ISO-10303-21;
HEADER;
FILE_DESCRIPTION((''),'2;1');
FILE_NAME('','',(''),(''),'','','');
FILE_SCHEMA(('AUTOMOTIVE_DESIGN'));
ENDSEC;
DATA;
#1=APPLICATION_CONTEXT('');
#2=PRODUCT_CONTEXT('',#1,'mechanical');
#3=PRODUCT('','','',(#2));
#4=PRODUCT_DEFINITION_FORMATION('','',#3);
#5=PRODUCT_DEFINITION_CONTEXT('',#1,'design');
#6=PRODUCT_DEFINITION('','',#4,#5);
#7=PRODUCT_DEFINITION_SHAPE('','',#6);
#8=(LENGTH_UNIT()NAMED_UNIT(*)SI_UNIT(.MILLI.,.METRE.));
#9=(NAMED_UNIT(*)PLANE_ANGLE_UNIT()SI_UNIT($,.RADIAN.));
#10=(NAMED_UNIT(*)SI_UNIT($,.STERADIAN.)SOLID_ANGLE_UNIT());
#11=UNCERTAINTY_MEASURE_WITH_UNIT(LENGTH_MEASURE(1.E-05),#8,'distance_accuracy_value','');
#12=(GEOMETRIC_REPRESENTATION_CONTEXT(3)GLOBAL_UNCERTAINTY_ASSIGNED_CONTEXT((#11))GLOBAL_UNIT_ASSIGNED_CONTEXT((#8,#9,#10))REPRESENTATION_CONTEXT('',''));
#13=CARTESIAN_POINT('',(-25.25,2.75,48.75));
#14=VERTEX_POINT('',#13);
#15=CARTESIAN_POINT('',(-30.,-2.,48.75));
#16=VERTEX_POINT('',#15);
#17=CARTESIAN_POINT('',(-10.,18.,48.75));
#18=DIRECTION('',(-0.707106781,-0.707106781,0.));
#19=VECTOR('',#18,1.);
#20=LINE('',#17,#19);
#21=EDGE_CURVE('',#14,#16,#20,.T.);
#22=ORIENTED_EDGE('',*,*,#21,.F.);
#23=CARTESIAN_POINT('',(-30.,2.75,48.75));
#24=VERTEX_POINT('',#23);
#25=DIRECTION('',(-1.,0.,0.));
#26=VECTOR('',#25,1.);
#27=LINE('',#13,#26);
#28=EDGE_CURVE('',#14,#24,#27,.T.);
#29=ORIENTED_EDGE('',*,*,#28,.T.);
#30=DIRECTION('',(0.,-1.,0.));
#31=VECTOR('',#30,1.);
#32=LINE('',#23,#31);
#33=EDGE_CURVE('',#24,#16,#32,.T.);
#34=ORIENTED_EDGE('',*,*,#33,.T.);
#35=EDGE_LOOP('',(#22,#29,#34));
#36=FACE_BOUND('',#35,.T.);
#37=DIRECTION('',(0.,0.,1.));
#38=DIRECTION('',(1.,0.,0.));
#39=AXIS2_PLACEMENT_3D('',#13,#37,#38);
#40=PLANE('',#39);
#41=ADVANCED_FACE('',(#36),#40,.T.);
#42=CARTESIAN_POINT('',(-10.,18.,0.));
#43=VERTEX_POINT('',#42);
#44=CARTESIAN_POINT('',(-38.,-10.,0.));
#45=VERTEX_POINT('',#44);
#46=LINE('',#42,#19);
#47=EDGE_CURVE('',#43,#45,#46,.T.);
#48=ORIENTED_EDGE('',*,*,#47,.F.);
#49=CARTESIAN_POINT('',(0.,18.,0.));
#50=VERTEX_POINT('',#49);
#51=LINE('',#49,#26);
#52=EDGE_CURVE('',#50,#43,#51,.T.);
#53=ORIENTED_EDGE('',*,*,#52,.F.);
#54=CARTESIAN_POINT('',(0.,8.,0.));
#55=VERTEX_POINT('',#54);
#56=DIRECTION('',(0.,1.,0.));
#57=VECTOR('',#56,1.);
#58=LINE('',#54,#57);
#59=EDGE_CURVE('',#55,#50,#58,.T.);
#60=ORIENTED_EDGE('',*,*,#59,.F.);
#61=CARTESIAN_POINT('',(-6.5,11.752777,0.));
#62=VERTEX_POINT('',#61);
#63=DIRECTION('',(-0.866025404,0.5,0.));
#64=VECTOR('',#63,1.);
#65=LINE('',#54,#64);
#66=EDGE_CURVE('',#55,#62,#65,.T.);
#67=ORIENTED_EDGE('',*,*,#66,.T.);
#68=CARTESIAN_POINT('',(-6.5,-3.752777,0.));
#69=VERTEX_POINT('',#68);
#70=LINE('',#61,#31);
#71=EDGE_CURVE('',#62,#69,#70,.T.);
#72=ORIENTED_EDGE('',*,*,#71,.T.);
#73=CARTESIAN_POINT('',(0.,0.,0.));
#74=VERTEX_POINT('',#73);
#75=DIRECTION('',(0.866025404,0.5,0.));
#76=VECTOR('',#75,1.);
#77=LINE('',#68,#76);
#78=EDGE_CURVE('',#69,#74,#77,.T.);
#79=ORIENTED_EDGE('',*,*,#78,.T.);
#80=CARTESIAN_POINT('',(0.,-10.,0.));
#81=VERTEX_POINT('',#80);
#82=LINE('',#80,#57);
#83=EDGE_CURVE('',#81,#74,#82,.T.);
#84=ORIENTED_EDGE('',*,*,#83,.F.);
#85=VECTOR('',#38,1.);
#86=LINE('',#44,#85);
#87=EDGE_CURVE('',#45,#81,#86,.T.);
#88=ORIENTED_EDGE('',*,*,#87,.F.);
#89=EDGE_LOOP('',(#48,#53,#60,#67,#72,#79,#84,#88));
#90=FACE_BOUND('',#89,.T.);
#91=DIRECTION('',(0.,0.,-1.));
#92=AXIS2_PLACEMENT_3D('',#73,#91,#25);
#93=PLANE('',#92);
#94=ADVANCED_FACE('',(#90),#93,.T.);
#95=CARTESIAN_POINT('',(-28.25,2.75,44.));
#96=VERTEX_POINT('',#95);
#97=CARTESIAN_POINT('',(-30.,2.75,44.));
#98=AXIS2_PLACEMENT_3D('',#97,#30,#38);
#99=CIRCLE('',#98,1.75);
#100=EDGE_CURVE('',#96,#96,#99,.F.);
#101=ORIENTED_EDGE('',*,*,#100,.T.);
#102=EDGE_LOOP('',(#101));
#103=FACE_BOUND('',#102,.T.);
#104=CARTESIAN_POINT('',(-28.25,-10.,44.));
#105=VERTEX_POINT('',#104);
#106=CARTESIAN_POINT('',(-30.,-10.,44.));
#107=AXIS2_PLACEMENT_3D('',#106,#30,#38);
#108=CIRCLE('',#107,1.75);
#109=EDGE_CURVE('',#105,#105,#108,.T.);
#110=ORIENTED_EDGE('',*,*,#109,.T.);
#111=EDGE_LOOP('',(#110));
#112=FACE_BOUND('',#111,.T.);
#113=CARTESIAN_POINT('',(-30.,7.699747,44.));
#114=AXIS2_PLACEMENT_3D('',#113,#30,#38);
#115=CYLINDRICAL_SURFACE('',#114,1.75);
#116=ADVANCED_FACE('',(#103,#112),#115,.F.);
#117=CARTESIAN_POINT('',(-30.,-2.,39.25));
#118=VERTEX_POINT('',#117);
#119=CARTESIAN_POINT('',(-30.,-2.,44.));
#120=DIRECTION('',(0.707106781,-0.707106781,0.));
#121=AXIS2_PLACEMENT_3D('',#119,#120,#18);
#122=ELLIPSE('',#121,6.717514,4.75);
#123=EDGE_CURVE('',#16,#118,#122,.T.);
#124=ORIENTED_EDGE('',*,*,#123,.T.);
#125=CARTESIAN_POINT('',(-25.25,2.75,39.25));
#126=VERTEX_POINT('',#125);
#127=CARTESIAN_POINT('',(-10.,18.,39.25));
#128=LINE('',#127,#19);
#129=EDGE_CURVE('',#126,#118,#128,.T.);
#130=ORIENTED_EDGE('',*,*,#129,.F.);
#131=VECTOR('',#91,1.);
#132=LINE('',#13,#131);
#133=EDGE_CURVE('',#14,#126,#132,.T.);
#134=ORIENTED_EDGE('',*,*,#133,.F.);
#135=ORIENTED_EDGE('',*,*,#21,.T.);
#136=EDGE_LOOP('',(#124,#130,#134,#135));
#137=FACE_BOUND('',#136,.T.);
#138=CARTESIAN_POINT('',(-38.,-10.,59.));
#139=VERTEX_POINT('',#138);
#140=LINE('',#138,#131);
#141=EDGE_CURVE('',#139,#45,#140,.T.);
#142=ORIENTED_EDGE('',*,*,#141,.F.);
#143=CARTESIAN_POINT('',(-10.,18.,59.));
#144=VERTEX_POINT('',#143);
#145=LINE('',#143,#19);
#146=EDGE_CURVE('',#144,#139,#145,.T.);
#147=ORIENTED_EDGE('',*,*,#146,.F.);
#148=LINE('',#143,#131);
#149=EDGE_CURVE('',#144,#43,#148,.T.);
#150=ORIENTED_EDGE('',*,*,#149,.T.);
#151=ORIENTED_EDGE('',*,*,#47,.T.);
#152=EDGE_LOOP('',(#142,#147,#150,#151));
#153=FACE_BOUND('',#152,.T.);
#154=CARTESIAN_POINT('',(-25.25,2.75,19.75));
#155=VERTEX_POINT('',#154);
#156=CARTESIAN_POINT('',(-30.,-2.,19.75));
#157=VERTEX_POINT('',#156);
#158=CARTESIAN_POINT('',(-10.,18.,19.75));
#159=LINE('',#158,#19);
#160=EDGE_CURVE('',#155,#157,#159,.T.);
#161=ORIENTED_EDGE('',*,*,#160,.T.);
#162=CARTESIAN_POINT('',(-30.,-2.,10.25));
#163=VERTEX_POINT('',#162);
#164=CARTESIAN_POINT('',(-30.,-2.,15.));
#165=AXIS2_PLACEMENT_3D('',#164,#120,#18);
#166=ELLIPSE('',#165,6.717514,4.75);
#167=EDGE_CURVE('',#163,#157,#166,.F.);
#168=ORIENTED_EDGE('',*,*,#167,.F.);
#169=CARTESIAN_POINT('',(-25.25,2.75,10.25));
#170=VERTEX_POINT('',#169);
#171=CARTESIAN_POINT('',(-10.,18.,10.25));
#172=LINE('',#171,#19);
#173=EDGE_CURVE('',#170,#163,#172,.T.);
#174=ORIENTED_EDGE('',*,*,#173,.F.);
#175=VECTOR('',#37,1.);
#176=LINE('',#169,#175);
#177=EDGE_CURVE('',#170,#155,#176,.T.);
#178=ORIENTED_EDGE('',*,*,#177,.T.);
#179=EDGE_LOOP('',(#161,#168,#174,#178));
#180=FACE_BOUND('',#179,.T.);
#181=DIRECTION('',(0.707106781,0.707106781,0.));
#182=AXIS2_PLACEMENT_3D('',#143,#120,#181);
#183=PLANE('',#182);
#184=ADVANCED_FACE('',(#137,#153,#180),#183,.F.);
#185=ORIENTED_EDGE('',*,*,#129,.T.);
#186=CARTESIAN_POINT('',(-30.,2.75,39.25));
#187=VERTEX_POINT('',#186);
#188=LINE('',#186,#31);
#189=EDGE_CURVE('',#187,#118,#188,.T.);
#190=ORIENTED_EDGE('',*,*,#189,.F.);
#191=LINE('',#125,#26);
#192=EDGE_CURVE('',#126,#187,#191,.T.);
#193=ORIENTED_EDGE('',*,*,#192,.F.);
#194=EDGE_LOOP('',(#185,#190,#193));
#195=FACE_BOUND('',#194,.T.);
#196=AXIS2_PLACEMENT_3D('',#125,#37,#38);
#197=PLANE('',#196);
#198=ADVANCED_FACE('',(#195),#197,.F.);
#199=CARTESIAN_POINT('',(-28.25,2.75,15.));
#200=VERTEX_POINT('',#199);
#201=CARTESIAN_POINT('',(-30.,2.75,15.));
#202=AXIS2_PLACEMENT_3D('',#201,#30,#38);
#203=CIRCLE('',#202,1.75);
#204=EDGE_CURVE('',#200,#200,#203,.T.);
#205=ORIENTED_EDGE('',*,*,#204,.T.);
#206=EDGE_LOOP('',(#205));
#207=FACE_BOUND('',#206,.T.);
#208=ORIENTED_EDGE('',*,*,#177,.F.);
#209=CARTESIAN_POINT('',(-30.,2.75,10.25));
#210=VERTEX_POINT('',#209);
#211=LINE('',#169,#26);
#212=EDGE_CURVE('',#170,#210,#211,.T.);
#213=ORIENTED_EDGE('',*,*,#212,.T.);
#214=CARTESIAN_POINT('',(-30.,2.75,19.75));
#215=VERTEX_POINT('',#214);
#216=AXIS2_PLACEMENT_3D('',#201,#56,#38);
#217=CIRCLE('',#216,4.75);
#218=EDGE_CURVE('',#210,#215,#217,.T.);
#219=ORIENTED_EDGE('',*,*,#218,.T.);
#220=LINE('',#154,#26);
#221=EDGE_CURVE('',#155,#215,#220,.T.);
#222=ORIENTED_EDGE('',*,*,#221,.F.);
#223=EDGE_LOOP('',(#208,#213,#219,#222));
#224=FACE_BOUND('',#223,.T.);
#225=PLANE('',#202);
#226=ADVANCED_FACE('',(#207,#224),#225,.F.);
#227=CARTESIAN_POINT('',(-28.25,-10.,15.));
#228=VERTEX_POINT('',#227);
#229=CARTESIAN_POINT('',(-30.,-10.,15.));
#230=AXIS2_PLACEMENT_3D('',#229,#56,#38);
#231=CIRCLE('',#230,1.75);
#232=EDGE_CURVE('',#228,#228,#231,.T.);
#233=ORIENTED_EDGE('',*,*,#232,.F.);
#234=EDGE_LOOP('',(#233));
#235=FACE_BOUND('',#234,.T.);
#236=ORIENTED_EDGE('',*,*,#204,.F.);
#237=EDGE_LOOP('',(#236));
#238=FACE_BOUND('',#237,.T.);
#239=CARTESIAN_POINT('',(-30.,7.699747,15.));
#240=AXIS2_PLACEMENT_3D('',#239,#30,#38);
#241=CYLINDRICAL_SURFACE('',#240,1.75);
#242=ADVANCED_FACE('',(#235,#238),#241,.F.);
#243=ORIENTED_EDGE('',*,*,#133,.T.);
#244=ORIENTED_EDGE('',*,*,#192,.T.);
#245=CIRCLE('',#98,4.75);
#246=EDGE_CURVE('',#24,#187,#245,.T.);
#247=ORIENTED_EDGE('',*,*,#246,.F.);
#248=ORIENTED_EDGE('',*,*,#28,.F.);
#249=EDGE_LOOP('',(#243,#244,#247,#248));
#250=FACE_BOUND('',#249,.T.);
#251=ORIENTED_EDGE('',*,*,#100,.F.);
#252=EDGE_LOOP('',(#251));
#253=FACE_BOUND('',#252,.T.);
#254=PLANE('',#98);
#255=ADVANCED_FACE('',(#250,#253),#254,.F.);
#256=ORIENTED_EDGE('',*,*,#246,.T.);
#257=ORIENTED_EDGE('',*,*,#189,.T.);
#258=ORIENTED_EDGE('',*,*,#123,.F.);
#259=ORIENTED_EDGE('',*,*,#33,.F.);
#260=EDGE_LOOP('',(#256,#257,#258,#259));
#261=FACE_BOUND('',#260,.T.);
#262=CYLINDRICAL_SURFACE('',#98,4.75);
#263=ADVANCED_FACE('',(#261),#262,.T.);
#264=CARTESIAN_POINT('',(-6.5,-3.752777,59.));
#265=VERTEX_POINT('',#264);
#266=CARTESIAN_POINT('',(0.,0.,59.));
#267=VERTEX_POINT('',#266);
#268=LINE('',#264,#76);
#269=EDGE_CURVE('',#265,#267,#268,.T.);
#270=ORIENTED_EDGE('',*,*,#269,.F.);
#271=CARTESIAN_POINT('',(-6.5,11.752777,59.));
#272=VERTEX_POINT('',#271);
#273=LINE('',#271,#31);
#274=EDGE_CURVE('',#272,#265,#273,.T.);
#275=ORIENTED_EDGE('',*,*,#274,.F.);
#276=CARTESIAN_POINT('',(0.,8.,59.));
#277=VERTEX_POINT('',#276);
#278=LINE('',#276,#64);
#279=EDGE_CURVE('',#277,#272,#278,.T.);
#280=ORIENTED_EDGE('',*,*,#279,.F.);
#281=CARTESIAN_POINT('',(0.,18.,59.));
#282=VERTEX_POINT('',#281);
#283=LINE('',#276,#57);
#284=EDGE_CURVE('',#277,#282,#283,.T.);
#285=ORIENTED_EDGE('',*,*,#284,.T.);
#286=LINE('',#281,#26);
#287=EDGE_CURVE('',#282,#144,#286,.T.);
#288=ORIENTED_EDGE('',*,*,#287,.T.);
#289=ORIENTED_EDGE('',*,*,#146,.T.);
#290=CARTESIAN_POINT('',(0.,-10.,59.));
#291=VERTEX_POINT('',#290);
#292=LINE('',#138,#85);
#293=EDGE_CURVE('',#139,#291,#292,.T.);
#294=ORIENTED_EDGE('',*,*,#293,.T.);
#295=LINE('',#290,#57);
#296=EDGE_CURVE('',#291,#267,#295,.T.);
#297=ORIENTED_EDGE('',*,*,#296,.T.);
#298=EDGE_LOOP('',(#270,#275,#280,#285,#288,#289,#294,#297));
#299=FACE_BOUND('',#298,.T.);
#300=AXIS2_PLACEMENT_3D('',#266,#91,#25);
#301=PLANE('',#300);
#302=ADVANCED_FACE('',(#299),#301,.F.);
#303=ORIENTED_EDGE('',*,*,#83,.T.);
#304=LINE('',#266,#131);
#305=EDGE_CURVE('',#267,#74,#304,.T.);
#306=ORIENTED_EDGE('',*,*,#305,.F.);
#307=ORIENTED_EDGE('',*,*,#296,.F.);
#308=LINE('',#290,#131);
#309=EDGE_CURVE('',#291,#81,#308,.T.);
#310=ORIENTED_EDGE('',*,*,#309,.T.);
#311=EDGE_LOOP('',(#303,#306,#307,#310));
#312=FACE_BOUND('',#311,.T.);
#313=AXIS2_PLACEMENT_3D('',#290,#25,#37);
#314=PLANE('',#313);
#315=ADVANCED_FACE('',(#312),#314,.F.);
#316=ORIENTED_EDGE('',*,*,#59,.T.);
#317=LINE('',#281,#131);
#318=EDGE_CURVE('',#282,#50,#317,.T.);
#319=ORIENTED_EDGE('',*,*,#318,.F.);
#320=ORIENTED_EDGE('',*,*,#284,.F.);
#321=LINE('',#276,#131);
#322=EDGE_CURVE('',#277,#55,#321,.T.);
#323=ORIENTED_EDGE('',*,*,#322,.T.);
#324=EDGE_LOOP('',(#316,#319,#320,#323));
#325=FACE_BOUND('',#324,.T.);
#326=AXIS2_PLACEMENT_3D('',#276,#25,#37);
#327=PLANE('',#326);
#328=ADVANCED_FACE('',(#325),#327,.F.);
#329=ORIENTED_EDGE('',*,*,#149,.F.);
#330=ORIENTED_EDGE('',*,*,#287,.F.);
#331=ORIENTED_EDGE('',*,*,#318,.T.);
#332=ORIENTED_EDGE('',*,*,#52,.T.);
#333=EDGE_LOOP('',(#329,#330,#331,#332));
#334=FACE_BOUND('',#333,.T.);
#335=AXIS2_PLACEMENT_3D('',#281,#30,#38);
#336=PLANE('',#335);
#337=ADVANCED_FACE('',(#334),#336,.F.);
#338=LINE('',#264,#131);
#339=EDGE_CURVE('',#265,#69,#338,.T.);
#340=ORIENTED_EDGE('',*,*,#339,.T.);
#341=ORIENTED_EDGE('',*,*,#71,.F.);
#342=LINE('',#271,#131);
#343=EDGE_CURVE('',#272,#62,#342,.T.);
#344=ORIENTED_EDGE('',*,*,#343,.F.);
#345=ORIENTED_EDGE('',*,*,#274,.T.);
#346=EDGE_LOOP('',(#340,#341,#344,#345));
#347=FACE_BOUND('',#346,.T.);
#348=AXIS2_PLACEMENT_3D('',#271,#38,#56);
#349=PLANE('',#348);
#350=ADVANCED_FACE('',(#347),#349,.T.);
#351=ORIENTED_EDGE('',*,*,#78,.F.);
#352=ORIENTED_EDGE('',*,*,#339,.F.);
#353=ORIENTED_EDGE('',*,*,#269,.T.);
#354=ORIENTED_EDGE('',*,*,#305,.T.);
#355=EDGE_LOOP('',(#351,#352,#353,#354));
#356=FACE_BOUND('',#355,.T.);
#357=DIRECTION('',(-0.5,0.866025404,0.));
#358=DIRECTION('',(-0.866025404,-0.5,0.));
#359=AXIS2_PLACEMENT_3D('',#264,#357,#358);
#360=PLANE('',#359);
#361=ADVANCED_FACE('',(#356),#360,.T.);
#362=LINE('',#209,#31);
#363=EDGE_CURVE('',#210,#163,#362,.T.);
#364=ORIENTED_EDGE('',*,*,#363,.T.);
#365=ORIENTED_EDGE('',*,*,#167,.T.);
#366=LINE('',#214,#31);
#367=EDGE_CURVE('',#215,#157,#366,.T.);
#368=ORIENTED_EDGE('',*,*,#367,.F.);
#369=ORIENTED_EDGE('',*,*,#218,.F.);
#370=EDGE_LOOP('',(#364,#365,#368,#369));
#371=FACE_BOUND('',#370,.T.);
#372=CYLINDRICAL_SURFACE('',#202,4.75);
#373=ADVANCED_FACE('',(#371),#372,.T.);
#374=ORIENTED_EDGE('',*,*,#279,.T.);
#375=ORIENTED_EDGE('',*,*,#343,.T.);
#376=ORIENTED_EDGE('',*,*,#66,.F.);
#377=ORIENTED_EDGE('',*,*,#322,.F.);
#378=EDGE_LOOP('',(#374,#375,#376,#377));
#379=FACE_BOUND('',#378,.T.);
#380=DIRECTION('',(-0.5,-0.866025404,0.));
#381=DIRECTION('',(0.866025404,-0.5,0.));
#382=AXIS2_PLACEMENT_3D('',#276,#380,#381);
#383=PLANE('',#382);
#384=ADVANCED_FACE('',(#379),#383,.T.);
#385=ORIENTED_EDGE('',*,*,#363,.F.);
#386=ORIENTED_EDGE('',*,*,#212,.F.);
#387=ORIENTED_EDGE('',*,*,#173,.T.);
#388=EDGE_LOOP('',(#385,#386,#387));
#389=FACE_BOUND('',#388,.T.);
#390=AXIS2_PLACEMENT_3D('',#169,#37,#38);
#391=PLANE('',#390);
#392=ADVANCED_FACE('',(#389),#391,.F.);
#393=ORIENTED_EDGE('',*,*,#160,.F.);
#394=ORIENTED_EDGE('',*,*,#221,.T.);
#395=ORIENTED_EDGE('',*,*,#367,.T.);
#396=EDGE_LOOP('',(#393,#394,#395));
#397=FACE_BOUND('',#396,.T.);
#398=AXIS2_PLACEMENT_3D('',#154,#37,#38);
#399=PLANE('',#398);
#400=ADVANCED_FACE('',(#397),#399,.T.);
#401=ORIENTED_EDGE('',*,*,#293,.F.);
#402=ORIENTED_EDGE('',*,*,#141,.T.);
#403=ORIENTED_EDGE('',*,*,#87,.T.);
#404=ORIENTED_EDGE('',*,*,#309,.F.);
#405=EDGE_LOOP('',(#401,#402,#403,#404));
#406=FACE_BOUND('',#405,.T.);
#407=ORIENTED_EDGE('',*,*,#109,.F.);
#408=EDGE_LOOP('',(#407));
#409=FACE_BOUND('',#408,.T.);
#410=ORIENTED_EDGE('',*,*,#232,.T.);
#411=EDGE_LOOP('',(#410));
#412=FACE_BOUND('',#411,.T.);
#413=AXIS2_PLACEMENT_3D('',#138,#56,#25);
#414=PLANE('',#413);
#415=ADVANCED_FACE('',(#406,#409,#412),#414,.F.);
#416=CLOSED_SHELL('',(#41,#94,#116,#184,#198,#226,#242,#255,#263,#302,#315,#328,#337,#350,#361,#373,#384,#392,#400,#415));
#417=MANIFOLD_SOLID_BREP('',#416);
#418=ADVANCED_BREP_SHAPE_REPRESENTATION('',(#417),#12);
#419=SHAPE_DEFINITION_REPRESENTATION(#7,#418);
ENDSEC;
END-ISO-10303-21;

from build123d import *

# Parameters (mm, degrees)
BOSS_EXTRUDE1_DEPTH = 59
BOSS_EXTRUDE6_DEPTH = 12.75
SKETCH3_14_R        = 1.75
CUT_EXTRUDE3_DEPTH  = 12.75


with BuildPart() as part:
    # Sketch1 → Boss-Extrude1 (new body)
    with BuildSketch(Plane.XY):
        Polygon((0, 8), (0, 18), (-10, 18), (-38, -10), (0, -10), (0, 0), (-6.5, -3.75277675), (-6.5, 11.75277675), align=None)
    extrude(amount=BOSS_EXTRUDE1_DEPTH)

    # Sketch3 → Boss-Extrude6 (add)
    with BuildSketch(Plane.XZ.offset(10)):
        with BuildLine():
            Line((-25.25, 48.75), (-25.25, 39.25))
            Line((-25.25, 39.25), (-30, 39.25))
            ThreePointArc((-30, 39.25), (-34.75, 44), (-30, 48.75))
            Line((-30, 48.75), (-25.25, 48.75))
        make_face()
    boss_extrude6 = extrude(amount=-BOSS_EXTRUDE6_DEPTH)

    # Sketch3<14> → Cut-Extrude3 (cut)
    with BuildSketch(Plane.XZ.offset(10)):
        with Locations((-30, 44)):
            Circle(SKETCH3_14_R)
    cut_extrude3 = extrude(amount=-CUT_EXTRUDE3_DEPTH, mode=Mode.SUBTRACT)

    # Mirror1: Boss-Extrude6, Cut-Extrude3 across plane
    add(boss_extrude6.mirror(Plane.XY.offset(29.5)))
    add(cut_extrude3.mirror(Plane.XY.offset(29.5)), mode=Mode.SUBTRACT)


solid = part.part
